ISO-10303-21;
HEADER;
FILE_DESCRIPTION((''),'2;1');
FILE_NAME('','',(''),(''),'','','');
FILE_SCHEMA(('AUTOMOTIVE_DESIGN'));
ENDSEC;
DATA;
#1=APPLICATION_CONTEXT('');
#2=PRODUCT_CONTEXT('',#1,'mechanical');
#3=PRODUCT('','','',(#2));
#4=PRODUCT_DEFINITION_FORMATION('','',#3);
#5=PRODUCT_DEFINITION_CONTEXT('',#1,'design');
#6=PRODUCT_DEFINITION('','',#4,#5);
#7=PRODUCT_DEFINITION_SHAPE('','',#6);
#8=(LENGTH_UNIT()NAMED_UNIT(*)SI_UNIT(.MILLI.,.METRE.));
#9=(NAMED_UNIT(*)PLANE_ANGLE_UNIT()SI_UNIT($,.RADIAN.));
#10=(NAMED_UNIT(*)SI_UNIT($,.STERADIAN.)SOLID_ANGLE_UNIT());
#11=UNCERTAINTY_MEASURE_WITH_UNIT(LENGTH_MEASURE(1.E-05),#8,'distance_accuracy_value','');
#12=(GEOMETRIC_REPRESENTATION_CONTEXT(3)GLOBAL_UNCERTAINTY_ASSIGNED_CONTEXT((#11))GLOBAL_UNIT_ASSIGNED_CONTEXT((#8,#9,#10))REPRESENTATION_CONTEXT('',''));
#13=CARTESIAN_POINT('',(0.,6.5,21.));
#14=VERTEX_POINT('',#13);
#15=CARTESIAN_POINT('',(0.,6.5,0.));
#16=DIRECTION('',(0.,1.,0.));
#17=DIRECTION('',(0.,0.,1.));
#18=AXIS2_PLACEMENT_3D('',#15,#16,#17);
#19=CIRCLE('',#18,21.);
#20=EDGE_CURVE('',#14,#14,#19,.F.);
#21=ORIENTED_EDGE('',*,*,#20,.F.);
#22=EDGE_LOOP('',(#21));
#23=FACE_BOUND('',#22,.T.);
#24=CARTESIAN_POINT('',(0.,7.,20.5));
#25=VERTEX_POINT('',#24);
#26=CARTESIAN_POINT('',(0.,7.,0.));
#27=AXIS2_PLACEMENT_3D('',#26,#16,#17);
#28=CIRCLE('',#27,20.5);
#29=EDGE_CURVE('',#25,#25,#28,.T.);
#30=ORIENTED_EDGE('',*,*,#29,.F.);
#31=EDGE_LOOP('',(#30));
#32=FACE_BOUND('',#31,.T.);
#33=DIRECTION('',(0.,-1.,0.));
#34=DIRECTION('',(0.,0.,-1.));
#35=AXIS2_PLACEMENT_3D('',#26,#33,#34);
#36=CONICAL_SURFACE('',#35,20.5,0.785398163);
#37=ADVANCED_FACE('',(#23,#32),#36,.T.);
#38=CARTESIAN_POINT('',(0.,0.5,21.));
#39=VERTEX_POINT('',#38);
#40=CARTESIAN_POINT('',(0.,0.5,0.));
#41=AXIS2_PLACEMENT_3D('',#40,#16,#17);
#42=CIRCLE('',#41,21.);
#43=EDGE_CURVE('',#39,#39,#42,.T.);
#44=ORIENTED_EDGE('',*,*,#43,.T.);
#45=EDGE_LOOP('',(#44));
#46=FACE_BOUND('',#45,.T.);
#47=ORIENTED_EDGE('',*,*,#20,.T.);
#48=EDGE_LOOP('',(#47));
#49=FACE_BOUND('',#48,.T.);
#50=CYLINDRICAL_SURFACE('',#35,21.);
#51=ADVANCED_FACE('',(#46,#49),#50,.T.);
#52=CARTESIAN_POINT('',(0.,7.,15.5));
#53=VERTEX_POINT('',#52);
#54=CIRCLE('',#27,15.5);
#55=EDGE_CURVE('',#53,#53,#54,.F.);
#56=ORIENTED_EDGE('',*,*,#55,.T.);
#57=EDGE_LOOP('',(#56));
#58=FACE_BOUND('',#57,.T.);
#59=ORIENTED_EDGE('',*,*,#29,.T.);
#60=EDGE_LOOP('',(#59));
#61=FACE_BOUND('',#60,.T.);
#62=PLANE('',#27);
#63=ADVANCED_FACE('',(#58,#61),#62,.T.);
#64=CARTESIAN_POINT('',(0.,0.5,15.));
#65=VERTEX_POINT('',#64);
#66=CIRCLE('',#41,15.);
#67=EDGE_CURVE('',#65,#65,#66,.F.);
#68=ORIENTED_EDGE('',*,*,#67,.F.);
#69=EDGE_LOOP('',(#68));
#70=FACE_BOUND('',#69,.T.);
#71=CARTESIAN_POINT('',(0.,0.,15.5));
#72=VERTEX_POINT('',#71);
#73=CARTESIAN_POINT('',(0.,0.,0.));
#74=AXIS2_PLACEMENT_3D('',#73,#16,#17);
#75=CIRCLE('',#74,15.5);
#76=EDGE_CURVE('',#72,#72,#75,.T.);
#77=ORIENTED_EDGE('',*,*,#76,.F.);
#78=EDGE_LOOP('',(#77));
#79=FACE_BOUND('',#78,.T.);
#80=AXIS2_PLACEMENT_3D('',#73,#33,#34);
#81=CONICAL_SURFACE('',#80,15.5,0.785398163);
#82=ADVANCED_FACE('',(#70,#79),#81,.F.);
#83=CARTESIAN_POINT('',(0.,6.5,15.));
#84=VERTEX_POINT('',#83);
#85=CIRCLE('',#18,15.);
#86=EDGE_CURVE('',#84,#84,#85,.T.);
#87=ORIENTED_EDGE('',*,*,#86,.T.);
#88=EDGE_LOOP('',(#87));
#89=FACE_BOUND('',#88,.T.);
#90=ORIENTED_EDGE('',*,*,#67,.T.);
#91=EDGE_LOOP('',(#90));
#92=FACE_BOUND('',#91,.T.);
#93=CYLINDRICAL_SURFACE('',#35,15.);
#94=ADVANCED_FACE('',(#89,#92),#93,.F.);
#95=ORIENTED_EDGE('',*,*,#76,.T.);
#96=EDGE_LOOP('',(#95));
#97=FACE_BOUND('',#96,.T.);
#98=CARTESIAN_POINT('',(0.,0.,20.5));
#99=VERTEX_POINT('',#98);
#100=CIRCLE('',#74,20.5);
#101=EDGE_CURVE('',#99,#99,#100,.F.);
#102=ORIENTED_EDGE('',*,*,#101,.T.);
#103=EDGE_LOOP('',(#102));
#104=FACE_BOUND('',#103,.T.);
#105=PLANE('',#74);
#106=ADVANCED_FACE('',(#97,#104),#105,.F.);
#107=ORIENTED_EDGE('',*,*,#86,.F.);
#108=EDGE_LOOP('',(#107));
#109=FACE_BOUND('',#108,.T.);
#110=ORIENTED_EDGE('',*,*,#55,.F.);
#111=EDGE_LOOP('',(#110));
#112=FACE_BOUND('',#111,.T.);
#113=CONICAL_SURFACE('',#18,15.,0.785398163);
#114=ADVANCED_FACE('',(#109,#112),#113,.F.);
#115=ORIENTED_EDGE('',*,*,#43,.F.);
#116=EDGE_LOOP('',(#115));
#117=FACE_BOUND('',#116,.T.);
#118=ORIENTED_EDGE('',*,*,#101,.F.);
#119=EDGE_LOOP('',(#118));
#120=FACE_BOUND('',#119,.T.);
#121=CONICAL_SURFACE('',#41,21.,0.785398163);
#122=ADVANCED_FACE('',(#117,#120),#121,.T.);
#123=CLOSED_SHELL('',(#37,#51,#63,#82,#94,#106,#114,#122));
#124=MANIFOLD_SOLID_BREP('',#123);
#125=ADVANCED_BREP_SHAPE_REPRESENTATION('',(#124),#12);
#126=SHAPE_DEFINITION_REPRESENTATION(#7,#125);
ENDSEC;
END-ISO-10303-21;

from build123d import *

# Parameters (mm, degrees)
SKETCH_1_R      = 21
SKETCH_1_R_2    = 15
EXTRUDE_1_DEPTH = 7
CHAMFER_1_SIZE  = 0.5


with BuildPart() as part:
    # 草图1 → 凸台-拉伸1 (new body)
    with BuildSketch(Plane(origin=(0, 0, 0), x_dir=(1, 0, 0), z_dir=(0, 1, 0))):
        Circle(SKETCH_1_R)
        Circle(SKETCH_1_R_2, mode=Mode.SUBTRACT)
    extrude(amount=EXTRUDE_1_DEPTH)

    # 倒角1
    chamfer_1_edges = [part.edges().sort_by_distance(p)[0] for p in [
        (-21, 0, 0),
        (-21, 7, 0),
        (-15, 0, 0),
        (-15, 7, 0),
    ]]
    chamfer(chamfer_1_edges, length=CHAMFER_1_SIZE)


solid = part.part
